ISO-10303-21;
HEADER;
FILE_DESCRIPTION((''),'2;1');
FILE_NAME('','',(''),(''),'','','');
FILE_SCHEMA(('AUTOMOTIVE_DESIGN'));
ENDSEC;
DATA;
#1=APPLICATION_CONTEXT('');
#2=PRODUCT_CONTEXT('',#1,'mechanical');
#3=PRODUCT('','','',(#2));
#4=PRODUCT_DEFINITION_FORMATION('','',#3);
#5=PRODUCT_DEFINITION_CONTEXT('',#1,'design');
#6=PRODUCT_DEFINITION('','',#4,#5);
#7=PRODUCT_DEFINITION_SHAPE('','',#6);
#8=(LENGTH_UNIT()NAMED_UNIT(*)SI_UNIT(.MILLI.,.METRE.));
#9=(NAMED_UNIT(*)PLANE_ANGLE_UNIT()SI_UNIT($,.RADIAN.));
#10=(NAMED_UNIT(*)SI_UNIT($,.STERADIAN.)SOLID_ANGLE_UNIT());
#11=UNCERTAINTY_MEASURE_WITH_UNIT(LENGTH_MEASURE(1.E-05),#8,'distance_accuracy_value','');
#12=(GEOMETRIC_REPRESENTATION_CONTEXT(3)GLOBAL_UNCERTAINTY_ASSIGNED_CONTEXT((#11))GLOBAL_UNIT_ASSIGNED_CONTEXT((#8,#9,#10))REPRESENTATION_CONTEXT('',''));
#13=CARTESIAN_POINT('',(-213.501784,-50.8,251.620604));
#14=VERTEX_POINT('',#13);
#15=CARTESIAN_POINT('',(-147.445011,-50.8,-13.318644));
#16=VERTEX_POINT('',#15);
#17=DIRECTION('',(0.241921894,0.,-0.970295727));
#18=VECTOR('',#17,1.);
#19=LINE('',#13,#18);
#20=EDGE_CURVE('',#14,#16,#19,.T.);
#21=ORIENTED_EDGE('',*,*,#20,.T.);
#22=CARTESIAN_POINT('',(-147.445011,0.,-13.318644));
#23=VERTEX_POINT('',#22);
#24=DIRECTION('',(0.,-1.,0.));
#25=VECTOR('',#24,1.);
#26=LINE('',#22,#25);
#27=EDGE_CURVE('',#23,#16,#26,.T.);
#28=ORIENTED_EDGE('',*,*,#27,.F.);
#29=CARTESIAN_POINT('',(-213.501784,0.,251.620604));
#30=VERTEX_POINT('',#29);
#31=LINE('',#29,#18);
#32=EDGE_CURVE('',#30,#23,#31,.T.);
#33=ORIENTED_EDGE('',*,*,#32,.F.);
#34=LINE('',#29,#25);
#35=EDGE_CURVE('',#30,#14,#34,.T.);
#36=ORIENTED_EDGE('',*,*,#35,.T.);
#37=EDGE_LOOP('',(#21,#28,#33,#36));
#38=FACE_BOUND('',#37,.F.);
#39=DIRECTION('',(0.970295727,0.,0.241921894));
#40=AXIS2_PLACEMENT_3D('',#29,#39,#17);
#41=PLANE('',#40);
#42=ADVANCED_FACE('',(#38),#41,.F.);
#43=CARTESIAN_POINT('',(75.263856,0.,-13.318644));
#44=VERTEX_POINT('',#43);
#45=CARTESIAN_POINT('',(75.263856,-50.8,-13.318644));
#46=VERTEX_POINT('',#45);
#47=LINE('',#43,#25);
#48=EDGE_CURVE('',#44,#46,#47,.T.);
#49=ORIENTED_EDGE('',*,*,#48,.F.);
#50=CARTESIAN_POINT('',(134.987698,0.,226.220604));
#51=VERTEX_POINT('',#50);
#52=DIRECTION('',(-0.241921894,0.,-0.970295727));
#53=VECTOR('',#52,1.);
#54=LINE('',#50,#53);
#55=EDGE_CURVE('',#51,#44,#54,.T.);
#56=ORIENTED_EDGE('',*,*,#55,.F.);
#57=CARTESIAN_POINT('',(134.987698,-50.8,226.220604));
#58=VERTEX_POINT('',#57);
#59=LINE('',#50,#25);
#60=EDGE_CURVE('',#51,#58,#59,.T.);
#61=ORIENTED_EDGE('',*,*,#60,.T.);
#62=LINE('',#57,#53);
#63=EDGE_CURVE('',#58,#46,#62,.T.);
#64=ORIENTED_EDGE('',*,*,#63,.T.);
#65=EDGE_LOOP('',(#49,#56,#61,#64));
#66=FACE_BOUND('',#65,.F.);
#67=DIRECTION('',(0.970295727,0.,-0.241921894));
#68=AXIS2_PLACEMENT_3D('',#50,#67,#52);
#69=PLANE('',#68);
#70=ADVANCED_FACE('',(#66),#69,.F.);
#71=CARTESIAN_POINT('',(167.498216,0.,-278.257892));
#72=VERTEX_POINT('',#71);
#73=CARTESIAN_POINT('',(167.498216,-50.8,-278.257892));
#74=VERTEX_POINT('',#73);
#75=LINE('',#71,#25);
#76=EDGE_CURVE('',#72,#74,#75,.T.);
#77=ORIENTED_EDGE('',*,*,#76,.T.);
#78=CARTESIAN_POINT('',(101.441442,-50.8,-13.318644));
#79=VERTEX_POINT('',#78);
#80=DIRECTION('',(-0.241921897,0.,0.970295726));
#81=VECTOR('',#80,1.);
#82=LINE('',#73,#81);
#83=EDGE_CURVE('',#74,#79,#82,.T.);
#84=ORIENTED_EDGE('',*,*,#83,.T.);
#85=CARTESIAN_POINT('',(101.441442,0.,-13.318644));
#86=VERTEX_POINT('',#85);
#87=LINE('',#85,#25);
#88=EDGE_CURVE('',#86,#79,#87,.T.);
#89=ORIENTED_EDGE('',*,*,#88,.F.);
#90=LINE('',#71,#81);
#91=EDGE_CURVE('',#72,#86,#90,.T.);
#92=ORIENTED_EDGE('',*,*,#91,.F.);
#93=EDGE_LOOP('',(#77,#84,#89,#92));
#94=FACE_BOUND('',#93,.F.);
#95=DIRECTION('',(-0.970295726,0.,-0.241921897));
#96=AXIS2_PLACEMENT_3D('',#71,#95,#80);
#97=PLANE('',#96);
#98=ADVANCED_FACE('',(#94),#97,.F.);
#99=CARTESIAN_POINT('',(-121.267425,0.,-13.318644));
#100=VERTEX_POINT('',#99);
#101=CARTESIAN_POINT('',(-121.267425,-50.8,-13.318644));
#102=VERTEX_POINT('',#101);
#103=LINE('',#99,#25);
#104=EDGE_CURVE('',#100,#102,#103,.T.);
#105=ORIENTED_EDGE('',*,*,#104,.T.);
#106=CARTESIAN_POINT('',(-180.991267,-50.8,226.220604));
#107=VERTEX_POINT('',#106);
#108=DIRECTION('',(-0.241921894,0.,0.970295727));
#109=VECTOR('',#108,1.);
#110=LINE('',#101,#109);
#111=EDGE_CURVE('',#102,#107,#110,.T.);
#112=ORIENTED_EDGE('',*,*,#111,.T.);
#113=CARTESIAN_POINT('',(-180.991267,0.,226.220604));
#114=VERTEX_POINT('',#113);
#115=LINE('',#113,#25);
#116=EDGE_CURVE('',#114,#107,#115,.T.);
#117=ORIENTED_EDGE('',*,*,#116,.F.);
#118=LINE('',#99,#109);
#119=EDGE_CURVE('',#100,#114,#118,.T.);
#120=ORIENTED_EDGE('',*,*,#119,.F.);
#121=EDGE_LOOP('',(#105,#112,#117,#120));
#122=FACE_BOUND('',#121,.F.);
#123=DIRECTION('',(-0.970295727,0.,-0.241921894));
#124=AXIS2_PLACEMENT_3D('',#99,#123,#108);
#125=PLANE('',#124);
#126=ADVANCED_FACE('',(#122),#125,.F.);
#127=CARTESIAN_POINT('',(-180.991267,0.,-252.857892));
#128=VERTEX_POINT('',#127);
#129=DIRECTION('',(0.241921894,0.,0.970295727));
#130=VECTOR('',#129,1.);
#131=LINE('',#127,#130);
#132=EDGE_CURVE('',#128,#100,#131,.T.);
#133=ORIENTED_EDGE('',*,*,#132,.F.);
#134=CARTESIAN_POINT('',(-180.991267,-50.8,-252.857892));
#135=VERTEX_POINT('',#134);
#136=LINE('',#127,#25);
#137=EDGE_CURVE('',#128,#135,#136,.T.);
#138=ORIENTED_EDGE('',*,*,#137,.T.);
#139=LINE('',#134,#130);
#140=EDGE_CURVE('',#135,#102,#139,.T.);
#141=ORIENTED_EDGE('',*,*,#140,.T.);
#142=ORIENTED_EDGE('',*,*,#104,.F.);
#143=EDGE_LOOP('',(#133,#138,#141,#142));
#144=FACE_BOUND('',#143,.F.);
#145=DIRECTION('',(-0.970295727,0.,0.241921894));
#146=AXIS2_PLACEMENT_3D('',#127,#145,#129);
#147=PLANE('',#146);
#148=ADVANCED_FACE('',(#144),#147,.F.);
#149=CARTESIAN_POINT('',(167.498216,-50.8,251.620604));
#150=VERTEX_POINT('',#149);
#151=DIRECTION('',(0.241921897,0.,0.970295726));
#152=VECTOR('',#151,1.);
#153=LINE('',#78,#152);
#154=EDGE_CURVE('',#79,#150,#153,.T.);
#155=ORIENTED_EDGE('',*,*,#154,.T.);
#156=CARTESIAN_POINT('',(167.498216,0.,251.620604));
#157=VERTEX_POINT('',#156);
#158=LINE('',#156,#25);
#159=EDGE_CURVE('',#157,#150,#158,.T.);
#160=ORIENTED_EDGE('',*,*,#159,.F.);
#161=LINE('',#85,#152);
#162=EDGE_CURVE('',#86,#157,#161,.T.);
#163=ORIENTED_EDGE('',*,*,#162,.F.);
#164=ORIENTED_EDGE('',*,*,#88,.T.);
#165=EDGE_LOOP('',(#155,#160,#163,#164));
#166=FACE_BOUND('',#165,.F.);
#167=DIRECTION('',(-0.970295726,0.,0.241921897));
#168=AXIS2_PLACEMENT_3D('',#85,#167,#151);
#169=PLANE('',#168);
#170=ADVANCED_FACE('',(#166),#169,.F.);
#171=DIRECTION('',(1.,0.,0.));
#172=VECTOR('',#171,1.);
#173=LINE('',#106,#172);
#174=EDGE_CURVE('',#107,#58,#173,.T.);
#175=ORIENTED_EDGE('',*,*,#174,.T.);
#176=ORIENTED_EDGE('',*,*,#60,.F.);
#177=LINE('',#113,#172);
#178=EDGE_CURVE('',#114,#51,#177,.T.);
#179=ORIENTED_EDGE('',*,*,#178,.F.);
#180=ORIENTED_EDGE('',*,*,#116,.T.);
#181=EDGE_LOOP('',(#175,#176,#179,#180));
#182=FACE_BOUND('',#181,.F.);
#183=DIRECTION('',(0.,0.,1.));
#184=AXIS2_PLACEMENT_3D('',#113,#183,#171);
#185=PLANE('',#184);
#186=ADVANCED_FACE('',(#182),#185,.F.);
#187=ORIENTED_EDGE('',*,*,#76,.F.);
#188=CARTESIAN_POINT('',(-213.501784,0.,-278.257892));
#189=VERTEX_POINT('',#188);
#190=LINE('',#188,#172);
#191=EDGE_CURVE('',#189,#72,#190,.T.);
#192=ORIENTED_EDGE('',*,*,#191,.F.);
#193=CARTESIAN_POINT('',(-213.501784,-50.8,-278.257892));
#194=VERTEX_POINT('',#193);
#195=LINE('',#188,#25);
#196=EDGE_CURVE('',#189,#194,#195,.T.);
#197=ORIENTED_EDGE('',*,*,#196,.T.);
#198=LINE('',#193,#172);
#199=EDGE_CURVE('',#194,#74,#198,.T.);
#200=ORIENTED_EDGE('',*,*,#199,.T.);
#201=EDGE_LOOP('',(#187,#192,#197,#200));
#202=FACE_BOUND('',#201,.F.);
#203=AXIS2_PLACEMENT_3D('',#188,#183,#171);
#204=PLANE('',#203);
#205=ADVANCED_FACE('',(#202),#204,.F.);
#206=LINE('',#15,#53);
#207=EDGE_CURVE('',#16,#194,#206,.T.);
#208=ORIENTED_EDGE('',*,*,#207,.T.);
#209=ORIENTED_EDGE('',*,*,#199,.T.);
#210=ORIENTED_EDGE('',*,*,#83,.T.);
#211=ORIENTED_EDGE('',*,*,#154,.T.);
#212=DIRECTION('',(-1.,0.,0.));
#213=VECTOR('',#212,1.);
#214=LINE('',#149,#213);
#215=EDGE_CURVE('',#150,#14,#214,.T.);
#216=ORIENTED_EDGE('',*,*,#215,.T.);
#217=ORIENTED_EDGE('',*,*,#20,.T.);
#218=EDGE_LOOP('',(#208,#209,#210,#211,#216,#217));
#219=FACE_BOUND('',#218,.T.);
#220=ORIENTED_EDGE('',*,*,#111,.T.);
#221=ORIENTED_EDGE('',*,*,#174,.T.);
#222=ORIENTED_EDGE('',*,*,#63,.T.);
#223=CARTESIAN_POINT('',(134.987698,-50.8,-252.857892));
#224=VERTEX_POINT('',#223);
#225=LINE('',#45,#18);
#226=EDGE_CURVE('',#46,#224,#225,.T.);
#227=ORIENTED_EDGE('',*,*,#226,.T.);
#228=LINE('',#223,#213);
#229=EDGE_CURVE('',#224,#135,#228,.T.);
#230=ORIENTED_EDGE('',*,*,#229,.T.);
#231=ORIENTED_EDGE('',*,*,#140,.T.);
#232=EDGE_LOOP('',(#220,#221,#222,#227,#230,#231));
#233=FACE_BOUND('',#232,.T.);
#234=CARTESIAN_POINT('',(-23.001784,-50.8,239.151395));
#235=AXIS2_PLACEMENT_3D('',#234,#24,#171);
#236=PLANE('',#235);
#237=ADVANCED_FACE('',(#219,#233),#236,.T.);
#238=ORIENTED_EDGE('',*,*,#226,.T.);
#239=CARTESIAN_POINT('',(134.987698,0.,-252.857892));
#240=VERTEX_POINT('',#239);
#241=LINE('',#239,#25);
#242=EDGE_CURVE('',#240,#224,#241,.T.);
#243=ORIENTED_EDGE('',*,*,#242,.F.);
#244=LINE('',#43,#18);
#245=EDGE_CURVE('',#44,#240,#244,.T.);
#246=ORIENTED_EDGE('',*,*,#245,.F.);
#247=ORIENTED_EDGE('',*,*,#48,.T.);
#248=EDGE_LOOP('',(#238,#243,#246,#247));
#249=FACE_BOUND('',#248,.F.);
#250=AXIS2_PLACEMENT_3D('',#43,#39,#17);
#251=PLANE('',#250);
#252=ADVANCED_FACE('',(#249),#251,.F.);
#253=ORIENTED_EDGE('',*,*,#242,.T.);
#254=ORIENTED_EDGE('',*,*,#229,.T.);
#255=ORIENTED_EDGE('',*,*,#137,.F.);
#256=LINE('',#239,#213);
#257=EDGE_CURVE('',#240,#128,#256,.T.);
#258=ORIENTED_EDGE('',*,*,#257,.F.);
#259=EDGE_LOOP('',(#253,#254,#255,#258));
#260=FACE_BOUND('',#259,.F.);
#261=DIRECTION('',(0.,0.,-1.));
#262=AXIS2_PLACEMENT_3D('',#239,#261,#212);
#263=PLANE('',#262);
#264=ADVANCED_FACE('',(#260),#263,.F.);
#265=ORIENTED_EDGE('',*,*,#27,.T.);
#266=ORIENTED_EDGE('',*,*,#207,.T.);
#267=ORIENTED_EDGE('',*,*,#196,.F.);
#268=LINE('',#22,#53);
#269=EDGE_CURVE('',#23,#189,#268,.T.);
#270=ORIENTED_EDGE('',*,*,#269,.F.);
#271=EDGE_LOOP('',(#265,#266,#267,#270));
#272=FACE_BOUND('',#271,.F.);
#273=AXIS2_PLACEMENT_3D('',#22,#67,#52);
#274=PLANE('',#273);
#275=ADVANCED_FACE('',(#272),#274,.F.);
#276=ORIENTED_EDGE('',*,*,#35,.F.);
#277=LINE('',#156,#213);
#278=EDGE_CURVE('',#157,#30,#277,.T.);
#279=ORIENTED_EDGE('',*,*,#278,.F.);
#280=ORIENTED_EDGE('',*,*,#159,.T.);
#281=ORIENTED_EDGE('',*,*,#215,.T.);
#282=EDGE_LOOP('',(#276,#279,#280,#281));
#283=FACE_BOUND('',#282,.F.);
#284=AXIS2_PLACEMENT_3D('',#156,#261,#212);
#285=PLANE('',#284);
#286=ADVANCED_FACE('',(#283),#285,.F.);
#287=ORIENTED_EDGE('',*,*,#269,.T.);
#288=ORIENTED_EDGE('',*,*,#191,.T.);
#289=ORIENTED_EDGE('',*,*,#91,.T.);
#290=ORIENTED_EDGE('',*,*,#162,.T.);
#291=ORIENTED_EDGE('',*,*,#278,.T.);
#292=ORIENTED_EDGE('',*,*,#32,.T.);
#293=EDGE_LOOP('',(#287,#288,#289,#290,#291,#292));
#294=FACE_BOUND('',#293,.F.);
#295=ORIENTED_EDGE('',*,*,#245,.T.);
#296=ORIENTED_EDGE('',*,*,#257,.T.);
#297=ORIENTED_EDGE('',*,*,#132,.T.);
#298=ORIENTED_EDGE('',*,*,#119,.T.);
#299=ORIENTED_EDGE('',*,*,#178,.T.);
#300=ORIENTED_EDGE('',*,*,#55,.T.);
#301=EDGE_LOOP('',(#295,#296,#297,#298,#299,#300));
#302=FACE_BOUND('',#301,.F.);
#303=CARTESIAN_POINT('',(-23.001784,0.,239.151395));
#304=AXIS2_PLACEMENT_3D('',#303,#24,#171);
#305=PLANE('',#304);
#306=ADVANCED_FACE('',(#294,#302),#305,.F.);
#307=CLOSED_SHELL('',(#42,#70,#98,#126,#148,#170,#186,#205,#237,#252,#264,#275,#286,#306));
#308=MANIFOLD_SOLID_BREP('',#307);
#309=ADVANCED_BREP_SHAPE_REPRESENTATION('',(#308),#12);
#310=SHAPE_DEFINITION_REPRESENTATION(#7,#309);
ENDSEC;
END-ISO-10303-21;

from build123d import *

# Parameters (mm, degrees)
F1_DEPTH = 50.8


with BuildPart() as f1:
    # F0 (on Front) → F1 (new body)
    with BuildSketch(Plane.XZ):
        Polygon((141.320629, 251.620604), (-187.324198, 251.620604), (-180.991267, 226.220604), (134.987698, 226.220604), align=None)
        Polygon((-187.324198, 251.620604), (-213.501784, 251.620604), (-147.445011, -13.318644), (-121.267425, -13.318644), (-180.991267, 226.220604), align=None)
        Polygon((167.498216, 251.620604), (141.320629, 251.620604), (134.987698, 226.220604), (75.263856, -13.318644), (101.441442, -13.318644), align=None)
        Polygon((-180.991267, -252.857892), (-187.324198, -278.257892), (141.320629, -278.257892), (134.987698, -252.857892), align=None)
        Polygon((-121.267425, -13.318644), (-147.445011, -13.318644), (-213.501784, -278.257892), (-187.324198, -278.257892), (-180.991267, -252.857892), align=None)
        Polygon((167.498216, -278.257892), (101.441442, -13.318644), (75.263856, -13.318644), (134.987698, -252.857892), (141.320629, -278.257892), align=None)
    extrude(amount=F1_DEPTH)


solid = f1.part
